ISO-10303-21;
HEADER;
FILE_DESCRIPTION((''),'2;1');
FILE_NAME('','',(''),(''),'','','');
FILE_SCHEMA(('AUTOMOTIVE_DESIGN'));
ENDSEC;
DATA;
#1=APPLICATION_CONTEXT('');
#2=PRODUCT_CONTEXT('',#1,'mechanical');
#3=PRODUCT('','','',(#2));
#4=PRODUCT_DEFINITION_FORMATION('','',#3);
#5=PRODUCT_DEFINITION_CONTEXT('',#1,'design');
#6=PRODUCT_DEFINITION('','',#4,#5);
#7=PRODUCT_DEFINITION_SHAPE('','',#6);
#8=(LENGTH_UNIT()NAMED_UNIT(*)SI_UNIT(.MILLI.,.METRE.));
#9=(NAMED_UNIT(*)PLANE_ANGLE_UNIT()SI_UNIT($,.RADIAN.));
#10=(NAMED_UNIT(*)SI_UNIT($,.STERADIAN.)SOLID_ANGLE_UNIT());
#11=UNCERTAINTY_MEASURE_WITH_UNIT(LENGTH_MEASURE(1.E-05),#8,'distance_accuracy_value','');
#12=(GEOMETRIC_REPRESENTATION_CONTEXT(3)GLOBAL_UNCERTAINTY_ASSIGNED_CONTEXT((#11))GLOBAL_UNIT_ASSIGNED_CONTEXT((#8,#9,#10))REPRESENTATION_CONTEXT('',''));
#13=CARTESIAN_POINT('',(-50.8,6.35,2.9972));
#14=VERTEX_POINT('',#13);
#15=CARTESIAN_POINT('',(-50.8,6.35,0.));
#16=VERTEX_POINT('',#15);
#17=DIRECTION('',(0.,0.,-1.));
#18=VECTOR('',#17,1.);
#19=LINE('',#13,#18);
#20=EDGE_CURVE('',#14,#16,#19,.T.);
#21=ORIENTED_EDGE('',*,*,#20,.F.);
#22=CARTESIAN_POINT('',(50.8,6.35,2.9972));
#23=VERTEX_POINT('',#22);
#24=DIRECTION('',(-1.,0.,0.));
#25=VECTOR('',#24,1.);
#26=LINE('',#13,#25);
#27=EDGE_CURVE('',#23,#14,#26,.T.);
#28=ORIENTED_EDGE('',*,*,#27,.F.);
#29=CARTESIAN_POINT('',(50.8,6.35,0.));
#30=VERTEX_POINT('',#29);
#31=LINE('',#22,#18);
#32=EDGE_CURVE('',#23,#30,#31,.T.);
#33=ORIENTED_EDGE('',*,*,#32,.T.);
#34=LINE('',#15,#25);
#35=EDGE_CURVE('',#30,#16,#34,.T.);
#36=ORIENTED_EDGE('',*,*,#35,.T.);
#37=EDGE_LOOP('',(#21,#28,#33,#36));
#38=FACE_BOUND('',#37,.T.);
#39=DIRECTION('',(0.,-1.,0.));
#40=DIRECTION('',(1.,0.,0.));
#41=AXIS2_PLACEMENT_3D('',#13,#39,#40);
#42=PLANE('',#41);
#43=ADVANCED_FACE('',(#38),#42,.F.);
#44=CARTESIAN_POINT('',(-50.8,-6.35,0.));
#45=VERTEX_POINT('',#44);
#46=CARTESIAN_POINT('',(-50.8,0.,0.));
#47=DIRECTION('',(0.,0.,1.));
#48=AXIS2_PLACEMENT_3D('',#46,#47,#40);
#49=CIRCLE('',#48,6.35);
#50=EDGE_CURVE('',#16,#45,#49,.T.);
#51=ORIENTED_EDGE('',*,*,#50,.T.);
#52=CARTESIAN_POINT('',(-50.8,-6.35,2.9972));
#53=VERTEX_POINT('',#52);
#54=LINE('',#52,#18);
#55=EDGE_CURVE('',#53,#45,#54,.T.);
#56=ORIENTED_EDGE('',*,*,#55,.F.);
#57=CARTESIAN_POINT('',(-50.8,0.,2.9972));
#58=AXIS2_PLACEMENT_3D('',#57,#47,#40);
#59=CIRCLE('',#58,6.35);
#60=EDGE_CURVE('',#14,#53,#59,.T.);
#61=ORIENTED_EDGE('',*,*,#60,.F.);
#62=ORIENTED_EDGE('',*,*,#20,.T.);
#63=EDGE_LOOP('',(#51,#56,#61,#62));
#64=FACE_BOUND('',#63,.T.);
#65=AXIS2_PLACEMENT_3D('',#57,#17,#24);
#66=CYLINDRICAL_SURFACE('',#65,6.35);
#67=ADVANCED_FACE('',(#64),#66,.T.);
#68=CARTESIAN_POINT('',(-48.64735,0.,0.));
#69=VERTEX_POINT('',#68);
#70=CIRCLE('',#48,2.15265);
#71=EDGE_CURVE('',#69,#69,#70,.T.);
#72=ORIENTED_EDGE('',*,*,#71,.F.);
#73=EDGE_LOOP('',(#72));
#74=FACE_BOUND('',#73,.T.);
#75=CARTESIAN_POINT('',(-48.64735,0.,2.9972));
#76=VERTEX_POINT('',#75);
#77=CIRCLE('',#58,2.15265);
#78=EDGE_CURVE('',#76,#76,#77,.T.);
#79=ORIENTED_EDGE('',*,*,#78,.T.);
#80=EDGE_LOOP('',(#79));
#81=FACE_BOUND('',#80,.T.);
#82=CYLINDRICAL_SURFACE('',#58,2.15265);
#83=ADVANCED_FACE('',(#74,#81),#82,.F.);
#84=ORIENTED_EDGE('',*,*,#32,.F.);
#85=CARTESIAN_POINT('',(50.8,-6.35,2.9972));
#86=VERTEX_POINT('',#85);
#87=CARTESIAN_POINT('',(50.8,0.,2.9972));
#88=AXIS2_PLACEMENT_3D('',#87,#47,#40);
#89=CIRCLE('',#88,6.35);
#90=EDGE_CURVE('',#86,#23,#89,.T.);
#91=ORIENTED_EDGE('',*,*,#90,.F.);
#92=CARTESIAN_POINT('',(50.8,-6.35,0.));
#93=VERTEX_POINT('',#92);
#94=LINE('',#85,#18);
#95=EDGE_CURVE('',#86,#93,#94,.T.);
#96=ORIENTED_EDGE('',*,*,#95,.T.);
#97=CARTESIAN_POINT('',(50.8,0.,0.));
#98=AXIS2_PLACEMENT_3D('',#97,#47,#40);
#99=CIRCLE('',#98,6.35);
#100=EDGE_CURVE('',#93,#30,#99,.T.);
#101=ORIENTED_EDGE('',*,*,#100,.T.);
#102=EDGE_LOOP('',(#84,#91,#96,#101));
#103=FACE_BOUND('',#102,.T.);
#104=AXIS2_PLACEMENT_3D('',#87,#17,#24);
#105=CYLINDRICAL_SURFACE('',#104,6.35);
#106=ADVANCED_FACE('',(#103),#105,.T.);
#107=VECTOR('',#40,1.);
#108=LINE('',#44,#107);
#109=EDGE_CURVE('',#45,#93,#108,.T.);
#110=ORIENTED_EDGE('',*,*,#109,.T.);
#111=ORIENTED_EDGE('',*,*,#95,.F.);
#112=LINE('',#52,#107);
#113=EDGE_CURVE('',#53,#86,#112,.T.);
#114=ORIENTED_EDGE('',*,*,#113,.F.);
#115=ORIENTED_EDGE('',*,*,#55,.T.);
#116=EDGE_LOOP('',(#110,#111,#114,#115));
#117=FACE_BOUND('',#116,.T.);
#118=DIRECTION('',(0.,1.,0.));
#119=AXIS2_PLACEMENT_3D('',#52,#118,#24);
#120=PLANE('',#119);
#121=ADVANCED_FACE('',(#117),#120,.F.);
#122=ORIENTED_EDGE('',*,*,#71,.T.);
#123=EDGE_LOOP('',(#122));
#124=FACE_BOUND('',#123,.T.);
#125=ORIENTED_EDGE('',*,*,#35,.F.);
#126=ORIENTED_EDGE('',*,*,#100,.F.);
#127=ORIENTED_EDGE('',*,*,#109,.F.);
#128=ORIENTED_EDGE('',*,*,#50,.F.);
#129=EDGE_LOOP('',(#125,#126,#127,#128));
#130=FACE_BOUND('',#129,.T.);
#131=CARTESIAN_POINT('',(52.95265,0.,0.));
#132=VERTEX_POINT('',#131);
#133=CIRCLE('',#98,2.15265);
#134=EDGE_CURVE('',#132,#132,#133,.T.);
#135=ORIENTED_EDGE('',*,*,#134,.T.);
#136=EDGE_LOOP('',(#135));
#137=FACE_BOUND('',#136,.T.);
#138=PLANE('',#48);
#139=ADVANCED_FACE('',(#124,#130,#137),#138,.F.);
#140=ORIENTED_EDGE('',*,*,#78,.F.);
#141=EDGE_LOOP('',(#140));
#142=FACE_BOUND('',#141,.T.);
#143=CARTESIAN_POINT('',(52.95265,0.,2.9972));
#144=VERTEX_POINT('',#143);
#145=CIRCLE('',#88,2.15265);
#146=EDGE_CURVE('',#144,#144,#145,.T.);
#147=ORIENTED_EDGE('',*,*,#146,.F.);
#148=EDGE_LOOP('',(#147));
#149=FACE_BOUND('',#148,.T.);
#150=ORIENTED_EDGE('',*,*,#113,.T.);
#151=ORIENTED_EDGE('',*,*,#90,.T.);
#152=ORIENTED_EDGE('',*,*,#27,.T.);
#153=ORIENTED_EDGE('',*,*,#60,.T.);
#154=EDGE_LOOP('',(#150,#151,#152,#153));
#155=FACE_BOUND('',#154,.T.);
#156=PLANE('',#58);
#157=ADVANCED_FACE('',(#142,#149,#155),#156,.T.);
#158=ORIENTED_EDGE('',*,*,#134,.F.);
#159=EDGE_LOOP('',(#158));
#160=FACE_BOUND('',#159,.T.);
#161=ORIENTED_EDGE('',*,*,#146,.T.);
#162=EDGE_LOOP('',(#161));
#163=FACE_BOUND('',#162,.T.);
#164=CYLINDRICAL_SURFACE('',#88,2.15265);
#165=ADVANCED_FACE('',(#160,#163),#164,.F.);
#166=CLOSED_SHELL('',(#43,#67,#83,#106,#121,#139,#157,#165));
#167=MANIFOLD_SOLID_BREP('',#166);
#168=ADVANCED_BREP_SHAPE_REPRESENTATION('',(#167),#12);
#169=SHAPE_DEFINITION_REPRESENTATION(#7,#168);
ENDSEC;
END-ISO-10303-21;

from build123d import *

# Parameters (mm, degrees)
BOSS_EXTRUDE1_DEPTH       = 2.9972
F_8_CLEARANCE_HOLE1_D     = 4.3053
F_8_CLEARANCE_HOLE1_DEPTH = 6.351016


with BuildPart() as part:
    # Sketch1 → Boss-Extrude1 (new body)
    with BuildSketch(Plane.XY):
        with BuildLine():
            Line((-50.8, 6.35), (50.8, 6.35))
            ThreePointArc((50.8, 6.35), (57.15, 0), (50.8, -6.35))
            Line((50.8, -6.35), (-50.8, -6.35))
            ThreePointArc((-50.8, -6.35), (-57.15, 0), (-50.8, 6.35))
        make_face()
    extrude(amount=BOSS_EXTRUDE1_DEPTH)

    # #8 Clearance Hole1
    with Locations(Plane.XY.offset(2.9972)):
        with Locations((-50.8, 0), (50.8, 0)):
            Hole(F_8_CLEARANCE_HOLE1_D / 2, depth=F_8_CLEARANCE_HOLE1_DEPTH)


solid = part.part
